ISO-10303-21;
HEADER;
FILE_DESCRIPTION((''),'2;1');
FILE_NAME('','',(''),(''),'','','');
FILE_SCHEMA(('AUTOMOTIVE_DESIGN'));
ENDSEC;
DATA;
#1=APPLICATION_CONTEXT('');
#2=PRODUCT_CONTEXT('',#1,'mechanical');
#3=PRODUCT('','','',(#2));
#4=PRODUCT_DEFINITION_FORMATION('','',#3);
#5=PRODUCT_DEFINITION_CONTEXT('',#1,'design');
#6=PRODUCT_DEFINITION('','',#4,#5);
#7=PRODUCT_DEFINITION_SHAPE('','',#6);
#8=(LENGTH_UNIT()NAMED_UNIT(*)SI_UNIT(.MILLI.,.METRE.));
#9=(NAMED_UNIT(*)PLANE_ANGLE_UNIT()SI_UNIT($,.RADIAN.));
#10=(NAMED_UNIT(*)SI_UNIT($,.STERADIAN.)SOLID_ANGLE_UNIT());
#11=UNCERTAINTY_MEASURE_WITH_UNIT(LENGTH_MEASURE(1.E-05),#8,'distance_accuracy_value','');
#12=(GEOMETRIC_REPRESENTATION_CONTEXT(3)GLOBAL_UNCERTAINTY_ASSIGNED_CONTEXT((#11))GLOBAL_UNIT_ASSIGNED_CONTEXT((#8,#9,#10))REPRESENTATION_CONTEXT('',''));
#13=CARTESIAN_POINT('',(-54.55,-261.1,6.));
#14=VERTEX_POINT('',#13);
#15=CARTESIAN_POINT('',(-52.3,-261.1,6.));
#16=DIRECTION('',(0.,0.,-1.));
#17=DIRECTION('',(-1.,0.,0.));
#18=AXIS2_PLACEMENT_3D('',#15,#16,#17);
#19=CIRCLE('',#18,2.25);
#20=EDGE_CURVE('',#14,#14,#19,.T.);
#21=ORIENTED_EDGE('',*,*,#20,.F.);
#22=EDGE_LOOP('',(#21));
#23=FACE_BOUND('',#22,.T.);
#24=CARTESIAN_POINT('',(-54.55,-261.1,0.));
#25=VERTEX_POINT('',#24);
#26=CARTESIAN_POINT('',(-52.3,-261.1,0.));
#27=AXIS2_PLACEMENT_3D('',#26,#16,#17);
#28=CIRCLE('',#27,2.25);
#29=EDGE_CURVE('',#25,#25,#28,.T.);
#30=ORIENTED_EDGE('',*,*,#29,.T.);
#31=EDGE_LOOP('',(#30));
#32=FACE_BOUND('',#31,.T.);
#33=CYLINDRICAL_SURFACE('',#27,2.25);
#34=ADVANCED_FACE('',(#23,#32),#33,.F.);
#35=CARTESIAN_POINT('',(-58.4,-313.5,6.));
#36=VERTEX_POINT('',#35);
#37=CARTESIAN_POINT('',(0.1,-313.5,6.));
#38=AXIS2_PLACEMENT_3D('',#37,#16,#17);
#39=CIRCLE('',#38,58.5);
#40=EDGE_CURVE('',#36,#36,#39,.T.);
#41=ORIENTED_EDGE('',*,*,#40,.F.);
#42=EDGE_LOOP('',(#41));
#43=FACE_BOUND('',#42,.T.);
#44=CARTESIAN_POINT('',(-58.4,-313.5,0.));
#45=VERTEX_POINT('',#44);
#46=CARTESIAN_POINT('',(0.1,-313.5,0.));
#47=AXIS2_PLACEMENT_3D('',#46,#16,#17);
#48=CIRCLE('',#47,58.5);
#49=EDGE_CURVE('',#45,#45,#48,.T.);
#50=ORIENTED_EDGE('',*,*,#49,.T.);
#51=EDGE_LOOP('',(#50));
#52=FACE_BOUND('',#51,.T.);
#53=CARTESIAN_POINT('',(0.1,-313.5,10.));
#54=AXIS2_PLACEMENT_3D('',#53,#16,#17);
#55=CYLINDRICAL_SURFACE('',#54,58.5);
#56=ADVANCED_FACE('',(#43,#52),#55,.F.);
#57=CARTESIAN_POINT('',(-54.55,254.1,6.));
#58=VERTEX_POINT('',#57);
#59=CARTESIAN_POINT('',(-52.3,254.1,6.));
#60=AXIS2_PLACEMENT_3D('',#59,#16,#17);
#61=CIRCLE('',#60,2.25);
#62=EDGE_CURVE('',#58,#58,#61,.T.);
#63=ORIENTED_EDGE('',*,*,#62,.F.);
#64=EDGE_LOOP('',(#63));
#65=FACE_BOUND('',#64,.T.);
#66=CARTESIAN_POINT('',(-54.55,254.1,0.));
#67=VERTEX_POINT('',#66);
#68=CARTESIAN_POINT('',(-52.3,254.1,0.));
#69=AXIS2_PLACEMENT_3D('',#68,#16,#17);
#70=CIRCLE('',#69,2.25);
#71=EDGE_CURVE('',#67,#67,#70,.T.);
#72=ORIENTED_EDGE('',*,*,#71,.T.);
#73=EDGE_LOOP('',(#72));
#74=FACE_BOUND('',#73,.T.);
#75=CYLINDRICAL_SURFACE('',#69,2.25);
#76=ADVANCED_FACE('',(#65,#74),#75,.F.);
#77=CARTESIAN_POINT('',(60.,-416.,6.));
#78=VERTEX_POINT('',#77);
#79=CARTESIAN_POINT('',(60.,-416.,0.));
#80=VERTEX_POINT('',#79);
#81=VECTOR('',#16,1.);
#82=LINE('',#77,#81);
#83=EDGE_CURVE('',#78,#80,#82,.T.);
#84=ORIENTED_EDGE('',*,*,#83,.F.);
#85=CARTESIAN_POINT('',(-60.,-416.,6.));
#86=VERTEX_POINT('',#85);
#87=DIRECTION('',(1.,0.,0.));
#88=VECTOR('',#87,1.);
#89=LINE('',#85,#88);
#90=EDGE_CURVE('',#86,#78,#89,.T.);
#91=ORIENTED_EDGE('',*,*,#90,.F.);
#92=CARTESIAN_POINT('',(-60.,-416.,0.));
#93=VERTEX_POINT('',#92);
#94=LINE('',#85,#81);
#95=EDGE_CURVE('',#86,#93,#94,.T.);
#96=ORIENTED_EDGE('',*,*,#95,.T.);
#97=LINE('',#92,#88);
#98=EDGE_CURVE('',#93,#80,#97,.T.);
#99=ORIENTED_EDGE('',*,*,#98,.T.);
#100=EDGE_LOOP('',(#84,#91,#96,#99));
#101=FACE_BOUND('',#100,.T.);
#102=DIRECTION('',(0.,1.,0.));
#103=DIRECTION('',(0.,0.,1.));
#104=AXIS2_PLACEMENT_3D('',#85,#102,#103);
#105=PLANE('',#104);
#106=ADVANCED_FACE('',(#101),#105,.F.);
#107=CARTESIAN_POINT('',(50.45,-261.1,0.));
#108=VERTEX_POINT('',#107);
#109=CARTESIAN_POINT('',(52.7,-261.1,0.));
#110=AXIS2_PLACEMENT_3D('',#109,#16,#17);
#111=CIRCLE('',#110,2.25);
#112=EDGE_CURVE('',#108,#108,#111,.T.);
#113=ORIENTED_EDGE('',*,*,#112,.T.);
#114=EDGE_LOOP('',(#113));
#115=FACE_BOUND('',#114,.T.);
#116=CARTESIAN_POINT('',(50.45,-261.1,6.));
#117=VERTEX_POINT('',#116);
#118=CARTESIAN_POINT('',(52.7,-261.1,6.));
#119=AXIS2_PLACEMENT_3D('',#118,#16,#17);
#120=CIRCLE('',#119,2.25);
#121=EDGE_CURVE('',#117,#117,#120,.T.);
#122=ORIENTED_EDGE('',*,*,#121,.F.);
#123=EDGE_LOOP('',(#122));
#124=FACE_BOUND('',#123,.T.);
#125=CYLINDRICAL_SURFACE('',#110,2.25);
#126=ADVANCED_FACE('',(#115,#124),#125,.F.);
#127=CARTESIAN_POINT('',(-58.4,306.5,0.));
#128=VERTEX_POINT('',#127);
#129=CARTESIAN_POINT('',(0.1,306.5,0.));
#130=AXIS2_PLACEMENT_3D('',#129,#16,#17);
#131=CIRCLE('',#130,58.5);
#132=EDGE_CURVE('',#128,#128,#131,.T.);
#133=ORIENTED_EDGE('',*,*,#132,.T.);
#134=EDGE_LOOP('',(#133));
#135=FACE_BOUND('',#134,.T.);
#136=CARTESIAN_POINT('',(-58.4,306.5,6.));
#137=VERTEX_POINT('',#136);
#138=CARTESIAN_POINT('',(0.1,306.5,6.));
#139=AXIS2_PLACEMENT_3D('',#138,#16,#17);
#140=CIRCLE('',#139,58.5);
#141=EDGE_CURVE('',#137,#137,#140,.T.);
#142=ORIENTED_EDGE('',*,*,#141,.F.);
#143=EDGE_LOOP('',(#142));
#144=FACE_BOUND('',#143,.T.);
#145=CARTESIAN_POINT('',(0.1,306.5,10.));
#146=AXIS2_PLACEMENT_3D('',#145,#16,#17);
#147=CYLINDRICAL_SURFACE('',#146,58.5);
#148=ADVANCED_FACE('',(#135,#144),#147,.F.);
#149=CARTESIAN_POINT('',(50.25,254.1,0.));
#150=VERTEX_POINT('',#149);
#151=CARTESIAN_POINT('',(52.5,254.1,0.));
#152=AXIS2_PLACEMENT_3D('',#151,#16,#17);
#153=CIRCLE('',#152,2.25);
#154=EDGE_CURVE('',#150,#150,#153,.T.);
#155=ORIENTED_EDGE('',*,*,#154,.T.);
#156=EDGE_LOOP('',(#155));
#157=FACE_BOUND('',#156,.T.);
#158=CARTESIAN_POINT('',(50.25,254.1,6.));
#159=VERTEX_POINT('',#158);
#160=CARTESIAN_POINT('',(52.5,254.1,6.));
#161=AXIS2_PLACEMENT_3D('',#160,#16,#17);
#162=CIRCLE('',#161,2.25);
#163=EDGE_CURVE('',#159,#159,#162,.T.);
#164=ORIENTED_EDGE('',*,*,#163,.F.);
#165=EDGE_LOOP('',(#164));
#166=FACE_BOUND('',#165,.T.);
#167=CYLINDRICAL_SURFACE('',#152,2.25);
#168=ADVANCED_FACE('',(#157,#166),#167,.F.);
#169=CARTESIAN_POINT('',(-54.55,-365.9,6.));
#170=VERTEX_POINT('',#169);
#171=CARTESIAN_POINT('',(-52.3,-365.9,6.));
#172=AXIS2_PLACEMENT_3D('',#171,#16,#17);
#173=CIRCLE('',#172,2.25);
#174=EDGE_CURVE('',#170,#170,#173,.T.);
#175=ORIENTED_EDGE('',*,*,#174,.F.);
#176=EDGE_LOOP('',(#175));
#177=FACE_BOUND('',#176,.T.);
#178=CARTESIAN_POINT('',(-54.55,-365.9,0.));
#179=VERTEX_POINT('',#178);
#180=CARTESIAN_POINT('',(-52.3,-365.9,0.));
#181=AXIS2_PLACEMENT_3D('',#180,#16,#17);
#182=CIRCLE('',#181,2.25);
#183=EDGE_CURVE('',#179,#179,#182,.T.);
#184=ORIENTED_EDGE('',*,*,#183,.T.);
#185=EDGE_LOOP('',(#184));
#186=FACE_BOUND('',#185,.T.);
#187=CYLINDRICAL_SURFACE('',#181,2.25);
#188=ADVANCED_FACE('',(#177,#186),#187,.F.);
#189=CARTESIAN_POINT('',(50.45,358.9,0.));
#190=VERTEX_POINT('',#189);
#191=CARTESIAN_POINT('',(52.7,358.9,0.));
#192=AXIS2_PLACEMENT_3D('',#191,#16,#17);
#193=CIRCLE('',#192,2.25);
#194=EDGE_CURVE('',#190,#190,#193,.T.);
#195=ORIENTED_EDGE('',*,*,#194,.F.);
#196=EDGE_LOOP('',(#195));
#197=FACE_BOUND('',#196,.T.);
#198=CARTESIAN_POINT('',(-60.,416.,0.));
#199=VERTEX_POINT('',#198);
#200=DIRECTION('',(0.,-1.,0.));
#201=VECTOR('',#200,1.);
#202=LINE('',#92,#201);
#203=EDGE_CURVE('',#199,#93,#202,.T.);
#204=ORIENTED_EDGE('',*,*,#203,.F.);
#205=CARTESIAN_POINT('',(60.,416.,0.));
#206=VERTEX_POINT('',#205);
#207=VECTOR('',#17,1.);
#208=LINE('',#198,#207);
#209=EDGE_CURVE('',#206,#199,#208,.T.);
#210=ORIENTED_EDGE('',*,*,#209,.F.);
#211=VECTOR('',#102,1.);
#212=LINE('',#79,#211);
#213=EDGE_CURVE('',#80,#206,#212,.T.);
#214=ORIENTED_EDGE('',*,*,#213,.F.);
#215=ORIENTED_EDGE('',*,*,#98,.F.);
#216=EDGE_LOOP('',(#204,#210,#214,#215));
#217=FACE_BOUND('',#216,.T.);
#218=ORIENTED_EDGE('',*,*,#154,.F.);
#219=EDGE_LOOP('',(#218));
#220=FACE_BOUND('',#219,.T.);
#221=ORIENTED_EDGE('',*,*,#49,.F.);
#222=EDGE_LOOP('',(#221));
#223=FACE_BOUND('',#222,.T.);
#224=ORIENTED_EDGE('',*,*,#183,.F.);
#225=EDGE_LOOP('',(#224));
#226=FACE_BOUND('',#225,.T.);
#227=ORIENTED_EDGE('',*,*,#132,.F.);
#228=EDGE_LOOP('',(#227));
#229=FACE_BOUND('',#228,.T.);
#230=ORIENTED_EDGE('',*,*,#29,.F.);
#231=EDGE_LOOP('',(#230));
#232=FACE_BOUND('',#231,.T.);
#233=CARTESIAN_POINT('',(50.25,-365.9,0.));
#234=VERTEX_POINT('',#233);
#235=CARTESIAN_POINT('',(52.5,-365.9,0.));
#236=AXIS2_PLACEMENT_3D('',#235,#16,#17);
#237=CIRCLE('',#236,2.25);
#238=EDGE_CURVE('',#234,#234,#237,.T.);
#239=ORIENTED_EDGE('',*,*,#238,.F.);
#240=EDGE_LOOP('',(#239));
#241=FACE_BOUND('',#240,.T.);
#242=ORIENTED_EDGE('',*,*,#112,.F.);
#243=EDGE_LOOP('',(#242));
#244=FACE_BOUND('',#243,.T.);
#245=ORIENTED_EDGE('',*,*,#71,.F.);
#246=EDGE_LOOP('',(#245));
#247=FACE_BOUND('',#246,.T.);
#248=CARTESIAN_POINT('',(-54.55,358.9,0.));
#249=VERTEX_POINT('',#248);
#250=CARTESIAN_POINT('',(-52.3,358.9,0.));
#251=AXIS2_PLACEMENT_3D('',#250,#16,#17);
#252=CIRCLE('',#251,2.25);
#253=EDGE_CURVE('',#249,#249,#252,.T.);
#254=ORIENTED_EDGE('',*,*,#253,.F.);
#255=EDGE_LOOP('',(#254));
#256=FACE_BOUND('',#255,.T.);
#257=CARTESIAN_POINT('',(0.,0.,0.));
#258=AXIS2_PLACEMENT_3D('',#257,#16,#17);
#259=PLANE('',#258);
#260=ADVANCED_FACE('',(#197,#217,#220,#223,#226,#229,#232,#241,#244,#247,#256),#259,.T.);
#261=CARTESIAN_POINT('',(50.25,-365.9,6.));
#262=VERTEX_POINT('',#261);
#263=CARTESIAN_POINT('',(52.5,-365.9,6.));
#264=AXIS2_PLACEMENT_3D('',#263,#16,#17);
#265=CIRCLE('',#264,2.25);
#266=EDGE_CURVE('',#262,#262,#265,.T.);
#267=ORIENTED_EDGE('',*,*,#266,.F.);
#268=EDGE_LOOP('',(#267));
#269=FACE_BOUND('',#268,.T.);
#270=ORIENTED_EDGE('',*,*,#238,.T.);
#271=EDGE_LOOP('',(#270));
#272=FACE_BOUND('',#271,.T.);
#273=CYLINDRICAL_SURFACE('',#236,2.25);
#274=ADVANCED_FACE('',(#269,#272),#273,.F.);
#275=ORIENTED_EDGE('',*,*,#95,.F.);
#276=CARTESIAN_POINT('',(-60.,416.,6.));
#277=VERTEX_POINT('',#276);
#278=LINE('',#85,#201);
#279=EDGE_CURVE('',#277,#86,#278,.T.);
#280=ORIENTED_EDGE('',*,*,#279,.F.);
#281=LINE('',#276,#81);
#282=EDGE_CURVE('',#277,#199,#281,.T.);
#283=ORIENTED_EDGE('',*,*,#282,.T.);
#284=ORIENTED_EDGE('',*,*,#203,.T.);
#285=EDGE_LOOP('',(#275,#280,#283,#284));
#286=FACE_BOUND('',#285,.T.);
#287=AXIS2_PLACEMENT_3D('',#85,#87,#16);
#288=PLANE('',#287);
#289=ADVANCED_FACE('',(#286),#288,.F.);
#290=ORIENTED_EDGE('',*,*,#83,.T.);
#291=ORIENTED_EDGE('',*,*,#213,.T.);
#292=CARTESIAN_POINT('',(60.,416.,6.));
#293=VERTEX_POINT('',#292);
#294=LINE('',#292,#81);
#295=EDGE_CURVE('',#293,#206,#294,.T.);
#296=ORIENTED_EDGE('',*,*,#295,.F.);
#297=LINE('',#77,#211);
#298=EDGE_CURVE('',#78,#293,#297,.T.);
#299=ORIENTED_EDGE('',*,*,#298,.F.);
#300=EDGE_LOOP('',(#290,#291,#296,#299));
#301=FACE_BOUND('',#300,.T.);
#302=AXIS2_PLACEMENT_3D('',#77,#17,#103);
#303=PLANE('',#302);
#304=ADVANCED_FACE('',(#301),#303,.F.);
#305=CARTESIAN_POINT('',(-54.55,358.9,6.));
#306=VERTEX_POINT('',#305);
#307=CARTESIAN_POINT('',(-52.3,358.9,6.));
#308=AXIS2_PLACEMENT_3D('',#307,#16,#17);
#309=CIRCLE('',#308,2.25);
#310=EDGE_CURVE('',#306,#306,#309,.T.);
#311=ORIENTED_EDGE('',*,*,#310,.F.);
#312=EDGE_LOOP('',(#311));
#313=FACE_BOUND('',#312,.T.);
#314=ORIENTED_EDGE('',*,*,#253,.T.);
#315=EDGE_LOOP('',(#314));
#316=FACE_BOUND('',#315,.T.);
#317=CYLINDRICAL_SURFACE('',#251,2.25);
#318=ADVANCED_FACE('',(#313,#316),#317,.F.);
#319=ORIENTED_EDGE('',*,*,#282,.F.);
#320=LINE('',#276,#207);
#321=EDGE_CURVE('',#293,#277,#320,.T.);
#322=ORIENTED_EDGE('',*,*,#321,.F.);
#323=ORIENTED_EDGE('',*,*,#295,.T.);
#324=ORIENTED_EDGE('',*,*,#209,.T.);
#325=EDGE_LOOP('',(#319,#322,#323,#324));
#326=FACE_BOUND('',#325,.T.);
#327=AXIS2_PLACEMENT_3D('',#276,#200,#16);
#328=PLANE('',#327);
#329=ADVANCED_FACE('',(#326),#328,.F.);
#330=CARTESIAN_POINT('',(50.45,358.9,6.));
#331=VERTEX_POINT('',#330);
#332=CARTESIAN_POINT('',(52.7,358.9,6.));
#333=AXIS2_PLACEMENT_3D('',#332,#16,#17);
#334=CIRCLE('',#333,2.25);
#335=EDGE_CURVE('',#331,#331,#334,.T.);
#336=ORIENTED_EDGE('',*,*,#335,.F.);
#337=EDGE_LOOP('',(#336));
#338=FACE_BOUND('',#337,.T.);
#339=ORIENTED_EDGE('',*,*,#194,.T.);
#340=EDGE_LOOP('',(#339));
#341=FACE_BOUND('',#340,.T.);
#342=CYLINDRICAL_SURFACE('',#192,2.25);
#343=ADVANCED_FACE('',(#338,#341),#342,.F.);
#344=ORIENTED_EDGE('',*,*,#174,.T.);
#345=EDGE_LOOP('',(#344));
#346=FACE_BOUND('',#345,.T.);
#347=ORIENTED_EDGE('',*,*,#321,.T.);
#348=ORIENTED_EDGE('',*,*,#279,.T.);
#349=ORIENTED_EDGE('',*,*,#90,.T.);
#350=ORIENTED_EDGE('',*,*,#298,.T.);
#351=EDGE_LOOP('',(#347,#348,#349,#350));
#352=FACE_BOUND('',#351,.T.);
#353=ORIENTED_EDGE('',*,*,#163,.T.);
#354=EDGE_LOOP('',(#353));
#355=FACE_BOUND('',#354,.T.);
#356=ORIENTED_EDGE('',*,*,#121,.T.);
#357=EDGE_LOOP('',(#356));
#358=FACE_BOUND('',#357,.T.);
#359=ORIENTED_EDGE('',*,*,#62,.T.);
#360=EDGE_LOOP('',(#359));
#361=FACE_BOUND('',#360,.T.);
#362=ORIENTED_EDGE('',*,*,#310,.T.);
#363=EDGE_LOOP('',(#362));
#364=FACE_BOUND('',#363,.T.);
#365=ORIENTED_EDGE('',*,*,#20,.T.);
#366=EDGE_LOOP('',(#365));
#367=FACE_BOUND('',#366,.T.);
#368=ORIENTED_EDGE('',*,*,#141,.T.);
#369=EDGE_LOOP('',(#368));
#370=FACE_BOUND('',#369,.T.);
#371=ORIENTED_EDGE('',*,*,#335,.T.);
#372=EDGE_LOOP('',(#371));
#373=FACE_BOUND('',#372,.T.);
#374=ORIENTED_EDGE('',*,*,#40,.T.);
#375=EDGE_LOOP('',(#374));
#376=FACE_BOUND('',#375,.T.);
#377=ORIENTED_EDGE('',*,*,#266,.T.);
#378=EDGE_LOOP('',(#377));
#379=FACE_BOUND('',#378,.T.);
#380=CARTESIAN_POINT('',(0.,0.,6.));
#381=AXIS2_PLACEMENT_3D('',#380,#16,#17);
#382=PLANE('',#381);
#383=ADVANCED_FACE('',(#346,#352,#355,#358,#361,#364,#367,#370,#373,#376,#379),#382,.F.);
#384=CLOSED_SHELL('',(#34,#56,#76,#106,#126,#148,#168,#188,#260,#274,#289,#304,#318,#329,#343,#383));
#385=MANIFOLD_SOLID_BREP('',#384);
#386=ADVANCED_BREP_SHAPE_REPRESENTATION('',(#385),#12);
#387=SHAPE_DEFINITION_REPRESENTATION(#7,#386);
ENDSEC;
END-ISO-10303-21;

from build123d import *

# Parameters (mm, degrees)
ESQUISSE1_W                   = 120
ESQUISSE1_H                   = 832
BOSS_EXTRU_1_DEPTH            = 6
SKETCH1_R                     = 58.5
CUT_EXTRUDE1_DEPTH            = 10
LPATTERN1_COUNT               = 2
LPATTERN1_PITCH               = 620
M4_CLEARANCE_HOLE1_AT_2_COUNT = 2
M4_CLEARANCE_HOLE1_AT_2_PITCH = 104.8
M4_CLEARANCE_HOLE1_AT_3_COUNT = 2
M4_CLEARANCE_HOLE1_AT_3_PITCH = 148.351070101
M4_CLEARANCE_HOLE1_AT_4_COUNT = 2
M4_CLEARANCE_HOLE1_AT_4_PITCH = 104.8
LPATTERN2_COUNT               = 2
LPATTERN2_PITCH               = 620


with BuildPart() as part:
    # Esquisse1 → Boss.-Extru.1 (new body)
    with BuildSketch(Plane.XY):
        Rectangle(ESQUISSE1_W, ESQUISSE1_H)
    extrude(amount=BOSS_EXTRU_1_DEPTH)

    # Sketch1 → Cut-Extrude1 (cut)
    with BuildSketch(Plane(origin=(0, 0, 0), x_dir=(-1, 0, 0), z_dir=(0, 0, -1))):
        with Locations((-0.1, 306.5)):
            Circle(SKETCH1_R)
    cut_extrude1 = extrude(amount=-CUT_EXTRUDE1_DEPTH, mode=Mode.SUBTRACT)

    # LPattern1: Cut-Extrude1 ×2
    with Locations(*[(0, -i * LPATTERN1_PITCH, 0) for i in range(1, LPATTERN1_COUNT)]):
        add(cut_extrude1, mode=Mode.SUBTRACT)

    # Sketch2 → M4 Clearance Hole1 (revolve, cut)
    with BuildSketch(Plane(origin=(-52.3, 254.1, 0), x_dir=(0, 1, 0), z_dir=(1, 0, 0))):
        Polygon((0, 0), (0, 7.351936393), (2.25, 6), (2.25, 0), align=None)
    m4_clearance_hole1 = revolve(axis=Axis((-52.3, 254.1, -6.35), (0, 0, 1)), mode=Mode.SUBTRACT)

    # M4 Clearance Hole1 at 2: M4 Clearance Hole1 ×2
    with Locations(*[(0, i * M4_CLEARANCE_HOLE1_AT_2_PITCH, 0) for i in range(1, M4_CLEARANCE_HOLE1_AT_2_COUNT)]):
        add(m4_clearance_hole1, mode=Mode.SUBTRACT)

    # M4 Clearance Hole1 at 3: M4 Clearance Hole1 ×2
    with Locations(*[Vector(0.7077805365932406, 0.7064323831901992, 0) * (i * M4_CLEARANCE_HOLE1_AT_3_PITCH) for i in range(1, M4_CLEARANCE_HOLE1_AT_3_COUNT)]):
        add(m4_clearance_hole1, mode=Mode.SUBTRACT)

    # M4 Clearance Hole1 at 4: M4 Clearance Hole1 ×2
    with Locations(*[(i * M4_CLEARANCE_HOLE1_AT_4_PITCH, 0, 0) for i in range(1, M4_CLEARANCE_HOLE1_AT_4_COUNT)]):
        add(m4_clearance_hole1, mode=Mode.SUBTRACT)

    # LPattern2: M4 Clearance Hole1 ×2
    with Locations(*[(0, -i * LPATTERN2_PITCH, 0) for i in range(1, LPATTERN2_COUNT)]):
        add(m4_clearance_hole1, mode=Mode.SUBTRACT)

    # LPattern2 copy 1 sketch → LPattern2 copy 1 (revolve, cut)
    with BuildSketch(Plane(origin=(-52.3, -261.1, 0), x_dir=(0, 1, 0), z_dir=(1, 0, 0))):
        Polygon((0, 0), (0, 7.351936393), (2.25, 6), (2.25, 0), align=None)
    revolve(axis=Axis((-52.3, -261.1, -6.35), (0, 0, 1)), mode=Mode.SUBTRACT)

    # LPattern2 copy 2 sketch → LPattern2 copy 2 (revolve, cut)
    with BuildSketch(Plane(origin=(52.7, -261.1, 0), x_dir=(0, 1, 0), z_dir=(1, 0, 0))):
        Polygon((0, 0), (0, 7.351936393), (2.25, 6), (2.25, 0), align=None)
    revolve(axis=Axis((52.7, -261.1, -6.35), (0, 0, 1)), mode=Mode.SUBTRACT)

    # LPattern2 copy 3 sketch → LPattern2 copy 3 (revolve, cut)
    with BuildSketch(Plane(origin=(52.5, -365.9, 0), x_dir=(0, 1, 0), z_dir=(1, 0, 0))):
        Polygon((0, 0), (0, 7.351936393), (2.25, 6), (2.25, 0), align=None)
    revolve(axis=Axis((52.5, -365.9, -6.35), (0, 0, 1)), mode=Mode.SUBTRACT)


solid = part.part
